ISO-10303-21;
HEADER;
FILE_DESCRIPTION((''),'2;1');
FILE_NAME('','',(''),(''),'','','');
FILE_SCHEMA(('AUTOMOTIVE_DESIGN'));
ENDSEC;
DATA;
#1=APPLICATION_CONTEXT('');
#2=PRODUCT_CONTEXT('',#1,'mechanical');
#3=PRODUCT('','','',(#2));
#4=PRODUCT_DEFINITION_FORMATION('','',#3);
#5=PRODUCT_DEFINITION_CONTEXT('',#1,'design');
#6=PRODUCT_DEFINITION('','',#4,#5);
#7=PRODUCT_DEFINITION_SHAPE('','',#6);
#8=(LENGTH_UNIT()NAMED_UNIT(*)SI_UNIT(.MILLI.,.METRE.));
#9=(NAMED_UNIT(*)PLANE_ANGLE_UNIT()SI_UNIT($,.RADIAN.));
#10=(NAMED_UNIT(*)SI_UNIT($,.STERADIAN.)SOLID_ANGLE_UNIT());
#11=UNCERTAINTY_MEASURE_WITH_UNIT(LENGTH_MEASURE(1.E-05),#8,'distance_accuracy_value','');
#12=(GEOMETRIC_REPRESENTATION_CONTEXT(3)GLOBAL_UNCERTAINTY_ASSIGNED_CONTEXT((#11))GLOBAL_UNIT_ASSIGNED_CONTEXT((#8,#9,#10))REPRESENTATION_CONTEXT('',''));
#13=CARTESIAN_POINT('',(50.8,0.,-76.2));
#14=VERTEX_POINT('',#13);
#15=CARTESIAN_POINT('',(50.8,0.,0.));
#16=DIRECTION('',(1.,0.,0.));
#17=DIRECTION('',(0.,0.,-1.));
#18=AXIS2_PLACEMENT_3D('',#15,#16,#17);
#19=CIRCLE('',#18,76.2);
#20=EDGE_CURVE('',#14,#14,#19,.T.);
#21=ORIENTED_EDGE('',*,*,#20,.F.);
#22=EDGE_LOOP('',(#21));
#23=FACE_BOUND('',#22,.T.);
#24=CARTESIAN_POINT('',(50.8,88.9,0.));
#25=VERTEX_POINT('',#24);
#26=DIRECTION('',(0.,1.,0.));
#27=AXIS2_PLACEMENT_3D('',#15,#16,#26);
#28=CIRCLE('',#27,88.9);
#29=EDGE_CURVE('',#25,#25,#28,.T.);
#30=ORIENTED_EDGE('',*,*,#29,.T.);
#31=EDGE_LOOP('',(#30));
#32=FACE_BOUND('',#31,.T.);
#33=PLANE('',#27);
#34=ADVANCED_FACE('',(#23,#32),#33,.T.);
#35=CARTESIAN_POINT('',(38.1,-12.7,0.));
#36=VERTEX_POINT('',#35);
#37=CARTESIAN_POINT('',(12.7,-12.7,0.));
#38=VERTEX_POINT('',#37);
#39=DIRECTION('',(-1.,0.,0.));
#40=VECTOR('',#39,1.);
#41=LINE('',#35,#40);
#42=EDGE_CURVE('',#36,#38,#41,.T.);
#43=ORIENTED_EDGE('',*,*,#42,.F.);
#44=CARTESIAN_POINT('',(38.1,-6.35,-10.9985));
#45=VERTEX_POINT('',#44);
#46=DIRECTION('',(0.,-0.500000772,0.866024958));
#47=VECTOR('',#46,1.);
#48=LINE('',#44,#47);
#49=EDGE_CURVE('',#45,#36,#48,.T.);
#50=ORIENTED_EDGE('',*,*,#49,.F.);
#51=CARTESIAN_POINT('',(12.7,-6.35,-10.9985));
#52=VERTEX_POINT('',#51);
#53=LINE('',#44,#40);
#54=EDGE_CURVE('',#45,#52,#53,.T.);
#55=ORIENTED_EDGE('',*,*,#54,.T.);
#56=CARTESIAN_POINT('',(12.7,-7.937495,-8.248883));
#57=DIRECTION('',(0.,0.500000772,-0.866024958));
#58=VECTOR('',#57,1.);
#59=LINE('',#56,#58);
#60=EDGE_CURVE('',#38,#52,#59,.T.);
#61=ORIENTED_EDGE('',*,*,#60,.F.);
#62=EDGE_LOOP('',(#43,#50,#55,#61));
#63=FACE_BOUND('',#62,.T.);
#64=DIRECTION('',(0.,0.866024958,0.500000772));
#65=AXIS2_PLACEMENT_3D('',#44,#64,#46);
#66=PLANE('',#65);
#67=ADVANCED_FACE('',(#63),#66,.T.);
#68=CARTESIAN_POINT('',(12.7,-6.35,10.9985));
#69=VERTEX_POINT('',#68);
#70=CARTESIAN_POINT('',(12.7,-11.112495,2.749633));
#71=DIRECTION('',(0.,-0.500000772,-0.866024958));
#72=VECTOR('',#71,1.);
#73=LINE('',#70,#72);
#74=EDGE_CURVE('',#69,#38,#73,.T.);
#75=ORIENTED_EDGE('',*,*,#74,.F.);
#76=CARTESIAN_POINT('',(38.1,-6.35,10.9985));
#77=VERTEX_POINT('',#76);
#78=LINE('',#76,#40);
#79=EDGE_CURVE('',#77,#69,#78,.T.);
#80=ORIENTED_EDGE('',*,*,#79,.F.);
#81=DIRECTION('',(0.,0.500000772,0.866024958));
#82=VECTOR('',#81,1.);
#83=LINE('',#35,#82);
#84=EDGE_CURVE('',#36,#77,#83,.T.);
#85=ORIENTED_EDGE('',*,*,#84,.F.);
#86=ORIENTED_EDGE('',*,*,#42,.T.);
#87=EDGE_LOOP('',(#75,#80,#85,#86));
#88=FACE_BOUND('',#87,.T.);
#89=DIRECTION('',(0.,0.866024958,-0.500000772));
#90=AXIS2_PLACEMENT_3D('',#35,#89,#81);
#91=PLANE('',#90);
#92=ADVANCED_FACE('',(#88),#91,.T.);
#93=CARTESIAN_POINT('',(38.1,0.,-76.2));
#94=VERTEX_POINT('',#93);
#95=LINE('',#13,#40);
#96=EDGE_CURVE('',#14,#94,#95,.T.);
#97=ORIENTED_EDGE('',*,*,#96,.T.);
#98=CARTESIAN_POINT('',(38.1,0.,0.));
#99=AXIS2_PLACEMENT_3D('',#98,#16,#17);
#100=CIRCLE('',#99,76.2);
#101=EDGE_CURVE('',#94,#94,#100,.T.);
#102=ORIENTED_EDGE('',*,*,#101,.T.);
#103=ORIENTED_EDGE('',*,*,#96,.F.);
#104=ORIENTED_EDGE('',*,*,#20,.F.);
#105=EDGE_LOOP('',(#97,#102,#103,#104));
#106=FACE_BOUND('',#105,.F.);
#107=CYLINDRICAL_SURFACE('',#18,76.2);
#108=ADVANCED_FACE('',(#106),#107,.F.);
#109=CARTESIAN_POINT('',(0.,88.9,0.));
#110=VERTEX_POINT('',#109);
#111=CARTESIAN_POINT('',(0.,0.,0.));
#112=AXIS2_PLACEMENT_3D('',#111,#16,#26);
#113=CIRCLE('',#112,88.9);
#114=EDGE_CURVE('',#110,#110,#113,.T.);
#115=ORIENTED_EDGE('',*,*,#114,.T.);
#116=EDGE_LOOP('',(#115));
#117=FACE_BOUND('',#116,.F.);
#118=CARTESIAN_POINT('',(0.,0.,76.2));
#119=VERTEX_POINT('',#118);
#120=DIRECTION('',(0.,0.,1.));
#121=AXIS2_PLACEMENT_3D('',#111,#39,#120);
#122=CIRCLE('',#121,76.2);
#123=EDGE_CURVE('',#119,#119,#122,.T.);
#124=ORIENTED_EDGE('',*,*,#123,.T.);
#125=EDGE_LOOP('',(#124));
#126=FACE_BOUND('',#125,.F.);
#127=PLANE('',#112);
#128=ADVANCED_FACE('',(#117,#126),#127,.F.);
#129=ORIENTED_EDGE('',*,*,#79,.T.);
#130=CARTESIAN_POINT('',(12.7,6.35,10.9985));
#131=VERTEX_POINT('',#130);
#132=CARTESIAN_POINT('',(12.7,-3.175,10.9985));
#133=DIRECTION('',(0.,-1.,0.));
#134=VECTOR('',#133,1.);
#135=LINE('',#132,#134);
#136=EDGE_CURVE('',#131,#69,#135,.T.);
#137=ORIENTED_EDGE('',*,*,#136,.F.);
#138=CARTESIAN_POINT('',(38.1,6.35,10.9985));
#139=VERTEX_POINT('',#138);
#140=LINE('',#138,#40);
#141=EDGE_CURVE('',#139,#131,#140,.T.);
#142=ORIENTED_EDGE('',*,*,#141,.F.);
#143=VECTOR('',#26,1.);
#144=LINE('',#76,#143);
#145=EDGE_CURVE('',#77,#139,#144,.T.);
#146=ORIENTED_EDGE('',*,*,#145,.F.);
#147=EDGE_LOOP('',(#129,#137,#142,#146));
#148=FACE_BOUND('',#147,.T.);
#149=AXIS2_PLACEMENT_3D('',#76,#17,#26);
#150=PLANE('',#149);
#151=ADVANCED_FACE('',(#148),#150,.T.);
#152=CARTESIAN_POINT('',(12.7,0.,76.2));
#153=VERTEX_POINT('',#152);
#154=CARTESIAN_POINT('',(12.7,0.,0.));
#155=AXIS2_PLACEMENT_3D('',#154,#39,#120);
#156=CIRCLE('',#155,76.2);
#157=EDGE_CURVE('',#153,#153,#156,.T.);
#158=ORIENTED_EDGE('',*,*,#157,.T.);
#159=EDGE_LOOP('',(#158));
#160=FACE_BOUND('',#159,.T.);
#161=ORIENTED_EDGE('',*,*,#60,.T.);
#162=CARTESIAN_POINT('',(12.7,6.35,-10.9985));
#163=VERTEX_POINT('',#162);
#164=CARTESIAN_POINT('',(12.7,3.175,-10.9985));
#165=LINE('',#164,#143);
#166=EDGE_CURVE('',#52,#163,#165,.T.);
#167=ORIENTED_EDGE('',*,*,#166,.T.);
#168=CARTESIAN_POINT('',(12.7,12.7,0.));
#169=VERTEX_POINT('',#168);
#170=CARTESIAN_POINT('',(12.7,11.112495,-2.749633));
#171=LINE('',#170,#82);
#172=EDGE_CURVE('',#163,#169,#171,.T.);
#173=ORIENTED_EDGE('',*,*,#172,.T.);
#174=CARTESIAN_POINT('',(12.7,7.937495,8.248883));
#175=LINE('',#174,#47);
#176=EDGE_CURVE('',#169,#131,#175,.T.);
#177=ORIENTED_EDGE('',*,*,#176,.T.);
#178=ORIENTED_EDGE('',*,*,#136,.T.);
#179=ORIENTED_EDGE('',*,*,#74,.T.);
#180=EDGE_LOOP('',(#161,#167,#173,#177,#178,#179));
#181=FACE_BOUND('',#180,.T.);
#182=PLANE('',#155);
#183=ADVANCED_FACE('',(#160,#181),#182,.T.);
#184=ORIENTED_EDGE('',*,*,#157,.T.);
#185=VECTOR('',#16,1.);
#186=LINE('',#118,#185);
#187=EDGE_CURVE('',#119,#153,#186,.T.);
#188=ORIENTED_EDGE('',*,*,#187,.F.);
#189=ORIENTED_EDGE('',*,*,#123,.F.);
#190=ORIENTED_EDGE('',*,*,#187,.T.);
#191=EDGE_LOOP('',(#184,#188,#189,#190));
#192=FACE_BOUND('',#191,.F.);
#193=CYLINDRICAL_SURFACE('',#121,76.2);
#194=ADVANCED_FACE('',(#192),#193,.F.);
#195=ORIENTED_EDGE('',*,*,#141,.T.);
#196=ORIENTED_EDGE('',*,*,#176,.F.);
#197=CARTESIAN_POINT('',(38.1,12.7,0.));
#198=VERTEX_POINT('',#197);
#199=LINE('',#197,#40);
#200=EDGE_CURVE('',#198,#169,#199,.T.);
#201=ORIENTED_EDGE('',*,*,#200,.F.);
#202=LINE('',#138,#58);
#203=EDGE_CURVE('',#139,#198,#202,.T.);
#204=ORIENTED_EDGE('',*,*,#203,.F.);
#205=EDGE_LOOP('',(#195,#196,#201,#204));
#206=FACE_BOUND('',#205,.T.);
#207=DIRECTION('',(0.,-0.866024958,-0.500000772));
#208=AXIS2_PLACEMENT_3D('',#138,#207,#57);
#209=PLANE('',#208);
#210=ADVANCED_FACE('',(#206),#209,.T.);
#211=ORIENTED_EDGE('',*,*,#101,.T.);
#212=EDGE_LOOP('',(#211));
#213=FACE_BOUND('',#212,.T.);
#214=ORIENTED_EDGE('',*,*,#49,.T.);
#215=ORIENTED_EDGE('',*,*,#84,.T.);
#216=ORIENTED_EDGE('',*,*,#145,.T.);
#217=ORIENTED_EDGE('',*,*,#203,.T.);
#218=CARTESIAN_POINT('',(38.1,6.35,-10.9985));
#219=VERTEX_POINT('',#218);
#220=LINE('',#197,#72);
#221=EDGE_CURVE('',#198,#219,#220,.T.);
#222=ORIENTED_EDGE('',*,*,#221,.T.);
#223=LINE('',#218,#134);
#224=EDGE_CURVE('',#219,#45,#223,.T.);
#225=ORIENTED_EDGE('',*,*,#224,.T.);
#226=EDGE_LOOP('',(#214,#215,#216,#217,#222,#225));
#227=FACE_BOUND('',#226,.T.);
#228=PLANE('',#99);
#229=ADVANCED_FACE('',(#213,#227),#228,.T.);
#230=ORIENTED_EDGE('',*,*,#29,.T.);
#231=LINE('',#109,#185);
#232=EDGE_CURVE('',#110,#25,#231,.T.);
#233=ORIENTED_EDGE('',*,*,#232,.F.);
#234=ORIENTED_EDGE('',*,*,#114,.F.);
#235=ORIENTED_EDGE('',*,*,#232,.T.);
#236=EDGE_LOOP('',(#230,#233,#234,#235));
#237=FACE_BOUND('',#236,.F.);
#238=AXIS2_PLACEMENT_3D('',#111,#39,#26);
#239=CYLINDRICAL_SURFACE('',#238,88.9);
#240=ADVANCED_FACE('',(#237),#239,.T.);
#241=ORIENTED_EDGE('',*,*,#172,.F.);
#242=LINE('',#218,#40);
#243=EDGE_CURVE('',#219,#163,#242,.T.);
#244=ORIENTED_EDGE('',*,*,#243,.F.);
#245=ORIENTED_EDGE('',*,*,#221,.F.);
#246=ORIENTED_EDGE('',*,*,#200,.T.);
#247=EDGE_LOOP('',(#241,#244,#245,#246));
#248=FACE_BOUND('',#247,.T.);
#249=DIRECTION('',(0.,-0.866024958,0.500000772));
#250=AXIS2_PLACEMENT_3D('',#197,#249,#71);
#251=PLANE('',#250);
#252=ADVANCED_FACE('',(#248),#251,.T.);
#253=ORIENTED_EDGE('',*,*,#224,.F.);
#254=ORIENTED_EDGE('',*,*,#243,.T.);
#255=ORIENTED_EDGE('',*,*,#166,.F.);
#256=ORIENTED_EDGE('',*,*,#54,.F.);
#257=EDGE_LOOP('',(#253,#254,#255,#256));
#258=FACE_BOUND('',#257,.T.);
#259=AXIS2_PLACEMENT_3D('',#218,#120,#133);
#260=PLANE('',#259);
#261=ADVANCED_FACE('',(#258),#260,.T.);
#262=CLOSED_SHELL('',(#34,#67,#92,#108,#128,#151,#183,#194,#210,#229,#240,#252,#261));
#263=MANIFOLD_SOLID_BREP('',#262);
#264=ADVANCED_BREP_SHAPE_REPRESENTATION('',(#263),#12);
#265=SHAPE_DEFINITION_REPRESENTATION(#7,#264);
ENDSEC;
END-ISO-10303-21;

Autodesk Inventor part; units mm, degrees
ref_plane "YZ Plane" through (0, 0, 0) normal (1, 0, 0) x (0, 1, 0)
ref_plane "XZ Plane" through (0, 0, 0) normal (0, 1, 0) x (-1, 0, 0)
ref_plane "XY Plane" through (0, 0, 0) normal (0, 0, 1) x (1, 0, 0)
sketch "Sketch1" plane through (0, 0, 0) normal (1, 0, 0) x (0, 1, 0)
  circle A0 centre (0, 0) radius 88.9
  dimension "d0" = 177.8
extrude "Extrusion1" add sketch "Sketch1" along normal blind 50.8
sketch "Sketch2" plane through (50.8, 0, 0) normal (1, 0, 0) x (0, 0, -1)
  circle A0 centre (0, 0) radius 88.9 projected
  circle A1 centre (0, 0) radius 76.2
  dimension "d3" = 12.7
extrude "Extrusion2" cut sketch "Sketch2" against normal blind 12.7 contours A1
sketch "Sketch4" plane through (0, 0, 0) normal (-1, 0, 0) x (0, 0, 1)
  circle A0 centre (0, 0) radius 76.2 projected
extrude "Extrusion3" cut sketch "Sketch4" against normal blind 12.7
sketch "Sketch5" plane through (38.1, 0, 0) normal (1, 0, 0) x (0, 0, -1)
  line L0 (0, 0) -> (0, 12.7)
  line L1 (0, 12.7) -> (10.9985, 6.35)
  line L2 (10.9985, 6.35) -> (10.9985, -6.35)
  line L3 (10.9985, -6.35) -> (0, -12.7)
  line L4 (0, -12.7) -> (-10.9985, -6.35)
  line L5 (-10.9985, -6.35) -> (-10.9985, 6.35)
  line L6 (-10.9985, 6.35) -> (0, 12.7)
  dimension "d8" = 12.7
extrude "Extrusion4" cut sketch "Sketch5" against normal blind 127
properties part number "WheelV1"
